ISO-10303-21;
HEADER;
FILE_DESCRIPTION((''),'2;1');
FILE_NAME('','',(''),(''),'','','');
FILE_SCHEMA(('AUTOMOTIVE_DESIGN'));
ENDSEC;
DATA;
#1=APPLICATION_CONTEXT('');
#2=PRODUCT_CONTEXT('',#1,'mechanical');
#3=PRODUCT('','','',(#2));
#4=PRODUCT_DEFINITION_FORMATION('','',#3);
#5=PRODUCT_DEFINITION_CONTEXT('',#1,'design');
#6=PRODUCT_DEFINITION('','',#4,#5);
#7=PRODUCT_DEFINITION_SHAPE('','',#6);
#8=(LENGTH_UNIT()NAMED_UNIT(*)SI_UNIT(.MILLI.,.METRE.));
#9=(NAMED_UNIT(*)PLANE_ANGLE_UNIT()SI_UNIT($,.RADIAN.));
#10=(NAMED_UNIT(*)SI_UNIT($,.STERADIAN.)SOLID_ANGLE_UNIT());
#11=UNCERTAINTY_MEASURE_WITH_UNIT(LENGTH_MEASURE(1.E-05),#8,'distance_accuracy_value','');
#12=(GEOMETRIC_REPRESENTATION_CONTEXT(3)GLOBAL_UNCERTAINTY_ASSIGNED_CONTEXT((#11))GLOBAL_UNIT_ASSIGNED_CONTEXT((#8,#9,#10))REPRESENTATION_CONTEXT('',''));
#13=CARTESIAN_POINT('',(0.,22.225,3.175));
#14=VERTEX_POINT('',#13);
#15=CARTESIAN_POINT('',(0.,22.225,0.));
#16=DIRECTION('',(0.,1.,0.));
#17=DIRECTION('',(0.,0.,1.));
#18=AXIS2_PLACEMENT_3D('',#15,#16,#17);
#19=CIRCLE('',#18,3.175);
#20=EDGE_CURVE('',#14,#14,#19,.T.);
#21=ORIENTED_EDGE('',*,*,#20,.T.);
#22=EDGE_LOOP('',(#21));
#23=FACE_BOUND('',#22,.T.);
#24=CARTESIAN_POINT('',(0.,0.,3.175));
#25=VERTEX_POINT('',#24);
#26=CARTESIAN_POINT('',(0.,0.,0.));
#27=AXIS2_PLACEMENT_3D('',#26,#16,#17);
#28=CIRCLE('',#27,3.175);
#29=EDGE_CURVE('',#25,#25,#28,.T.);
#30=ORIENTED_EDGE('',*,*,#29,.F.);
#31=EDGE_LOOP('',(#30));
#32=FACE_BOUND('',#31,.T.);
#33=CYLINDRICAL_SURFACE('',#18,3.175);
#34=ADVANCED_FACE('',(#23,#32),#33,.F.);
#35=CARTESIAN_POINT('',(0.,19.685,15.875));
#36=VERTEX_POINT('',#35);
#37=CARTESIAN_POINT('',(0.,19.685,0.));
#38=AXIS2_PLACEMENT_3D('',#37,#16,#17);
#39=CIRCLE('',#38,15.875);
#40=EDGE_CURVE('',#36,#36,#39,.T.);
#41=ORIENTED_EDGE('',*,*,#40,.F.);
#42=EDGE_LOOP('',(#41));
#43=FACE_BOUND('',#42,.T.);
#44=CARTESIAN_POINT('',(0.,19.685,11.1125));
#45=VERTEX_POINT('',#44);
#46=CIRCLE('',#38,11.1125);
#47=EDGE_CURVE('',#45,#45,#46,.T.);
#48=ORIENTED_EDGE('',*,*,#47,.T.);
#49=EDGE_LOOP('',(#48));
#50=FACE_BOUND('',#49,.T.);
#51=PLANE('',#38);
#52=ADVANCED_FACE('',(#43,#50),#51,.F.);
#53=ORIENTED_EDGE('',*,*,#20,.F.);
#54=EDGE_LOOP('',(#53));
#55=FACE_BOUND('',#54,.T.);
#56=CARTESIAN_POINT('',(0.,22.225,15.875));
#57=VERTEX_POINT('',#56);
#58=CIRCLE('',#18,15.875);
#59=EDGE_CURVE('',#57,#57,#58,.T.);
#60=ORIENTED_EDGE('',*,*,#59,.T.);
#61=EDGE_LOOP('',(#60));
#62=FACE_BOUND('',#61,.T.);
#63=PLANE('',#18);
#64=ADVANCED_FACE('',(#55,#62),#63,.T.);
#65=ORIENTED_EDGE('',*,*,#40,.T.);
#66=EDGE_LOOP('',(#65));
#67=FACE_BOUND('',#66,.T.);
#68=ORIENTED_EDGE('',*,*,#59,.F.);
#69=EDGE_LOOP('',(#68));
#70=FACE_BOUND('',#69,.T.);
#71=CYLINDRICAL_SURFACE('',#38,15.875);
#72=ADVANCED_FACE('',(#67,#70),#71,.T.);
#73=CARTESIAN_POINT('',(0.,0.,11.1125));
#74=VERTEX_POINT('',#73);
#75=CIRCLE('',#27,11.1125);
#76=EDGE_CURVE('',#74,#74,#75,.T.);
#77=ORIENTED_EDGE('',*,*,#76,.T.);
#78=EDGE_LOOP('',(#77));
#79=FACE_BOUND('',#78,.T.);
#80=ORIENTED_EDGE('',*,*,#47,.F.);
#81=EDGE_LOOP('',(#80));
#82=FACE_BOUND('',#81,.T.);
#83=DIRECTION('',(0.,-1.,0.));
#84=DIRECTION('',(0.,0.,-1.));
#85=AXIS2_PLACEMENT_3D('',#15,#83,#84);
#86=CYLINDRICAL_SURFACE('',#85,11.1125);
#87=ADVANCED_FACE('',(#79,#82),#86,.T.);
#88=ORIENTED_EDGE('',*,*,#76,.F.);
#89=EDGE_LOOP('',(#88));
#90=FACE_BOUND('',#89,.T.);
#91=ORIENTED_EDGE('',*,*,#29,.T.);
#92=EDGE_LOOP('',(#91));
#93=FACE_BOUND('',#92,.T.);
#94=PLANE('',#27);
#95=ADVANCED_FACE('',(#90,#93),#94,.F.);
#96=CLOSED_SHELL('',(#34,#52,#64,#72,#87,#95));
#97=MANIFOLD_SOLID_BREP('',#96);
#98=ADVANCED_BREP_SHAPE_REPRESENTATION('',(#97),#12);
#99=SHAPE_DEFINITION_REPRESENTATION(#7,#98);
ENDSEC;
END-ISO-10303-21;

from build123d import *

# Parameters (mm, degrees)
SKETCH1_R                   = 11.1125
BOSS_EXTRUDE1_DEPTH         = 22.225
SKETCH2_R                   = 15.875
BOSS_EXTRUDE2_DEPTH         = 2.54
F_1_4_0_25_DIAMETER_HOLE1_D = 6.35


with BuildPart() as part:
    # Sketch1 → Boss-Extrude1 (new body)
    with BuildSketch(Plane(origin=(0, 0, 0), x_dir=(1, 0, 0), z_dir=(0, 1, 0))):
        Circle(SKETCH1_R)
    extrude(amount=BOSS_EXTRUDE1_DEPTH)

    # Sketch2 → Boss-Extrude2 (add)
    with BuildSketch(Plane(origin=(0, 22.225, 0), x_dir=(1, 0, 0), z_dir=(0, 1, 0))):
        Circle(SKETCH2_R)
    extrude(amount=-BOSS_EXTRUDE2_DEPTH)

    # 1/4 (0.25) Diameter Hole1 (through all)
    with Locations(Plane(origin=(0, 22.225, 0), x_dir=(1, 0, 0), z_dir=(0, 1, 0))):
        with Locations((0, 0)):
            Hole(F_1_4_0_25_DIAMETER_HOLE1_D / 2)


solid = part.part
